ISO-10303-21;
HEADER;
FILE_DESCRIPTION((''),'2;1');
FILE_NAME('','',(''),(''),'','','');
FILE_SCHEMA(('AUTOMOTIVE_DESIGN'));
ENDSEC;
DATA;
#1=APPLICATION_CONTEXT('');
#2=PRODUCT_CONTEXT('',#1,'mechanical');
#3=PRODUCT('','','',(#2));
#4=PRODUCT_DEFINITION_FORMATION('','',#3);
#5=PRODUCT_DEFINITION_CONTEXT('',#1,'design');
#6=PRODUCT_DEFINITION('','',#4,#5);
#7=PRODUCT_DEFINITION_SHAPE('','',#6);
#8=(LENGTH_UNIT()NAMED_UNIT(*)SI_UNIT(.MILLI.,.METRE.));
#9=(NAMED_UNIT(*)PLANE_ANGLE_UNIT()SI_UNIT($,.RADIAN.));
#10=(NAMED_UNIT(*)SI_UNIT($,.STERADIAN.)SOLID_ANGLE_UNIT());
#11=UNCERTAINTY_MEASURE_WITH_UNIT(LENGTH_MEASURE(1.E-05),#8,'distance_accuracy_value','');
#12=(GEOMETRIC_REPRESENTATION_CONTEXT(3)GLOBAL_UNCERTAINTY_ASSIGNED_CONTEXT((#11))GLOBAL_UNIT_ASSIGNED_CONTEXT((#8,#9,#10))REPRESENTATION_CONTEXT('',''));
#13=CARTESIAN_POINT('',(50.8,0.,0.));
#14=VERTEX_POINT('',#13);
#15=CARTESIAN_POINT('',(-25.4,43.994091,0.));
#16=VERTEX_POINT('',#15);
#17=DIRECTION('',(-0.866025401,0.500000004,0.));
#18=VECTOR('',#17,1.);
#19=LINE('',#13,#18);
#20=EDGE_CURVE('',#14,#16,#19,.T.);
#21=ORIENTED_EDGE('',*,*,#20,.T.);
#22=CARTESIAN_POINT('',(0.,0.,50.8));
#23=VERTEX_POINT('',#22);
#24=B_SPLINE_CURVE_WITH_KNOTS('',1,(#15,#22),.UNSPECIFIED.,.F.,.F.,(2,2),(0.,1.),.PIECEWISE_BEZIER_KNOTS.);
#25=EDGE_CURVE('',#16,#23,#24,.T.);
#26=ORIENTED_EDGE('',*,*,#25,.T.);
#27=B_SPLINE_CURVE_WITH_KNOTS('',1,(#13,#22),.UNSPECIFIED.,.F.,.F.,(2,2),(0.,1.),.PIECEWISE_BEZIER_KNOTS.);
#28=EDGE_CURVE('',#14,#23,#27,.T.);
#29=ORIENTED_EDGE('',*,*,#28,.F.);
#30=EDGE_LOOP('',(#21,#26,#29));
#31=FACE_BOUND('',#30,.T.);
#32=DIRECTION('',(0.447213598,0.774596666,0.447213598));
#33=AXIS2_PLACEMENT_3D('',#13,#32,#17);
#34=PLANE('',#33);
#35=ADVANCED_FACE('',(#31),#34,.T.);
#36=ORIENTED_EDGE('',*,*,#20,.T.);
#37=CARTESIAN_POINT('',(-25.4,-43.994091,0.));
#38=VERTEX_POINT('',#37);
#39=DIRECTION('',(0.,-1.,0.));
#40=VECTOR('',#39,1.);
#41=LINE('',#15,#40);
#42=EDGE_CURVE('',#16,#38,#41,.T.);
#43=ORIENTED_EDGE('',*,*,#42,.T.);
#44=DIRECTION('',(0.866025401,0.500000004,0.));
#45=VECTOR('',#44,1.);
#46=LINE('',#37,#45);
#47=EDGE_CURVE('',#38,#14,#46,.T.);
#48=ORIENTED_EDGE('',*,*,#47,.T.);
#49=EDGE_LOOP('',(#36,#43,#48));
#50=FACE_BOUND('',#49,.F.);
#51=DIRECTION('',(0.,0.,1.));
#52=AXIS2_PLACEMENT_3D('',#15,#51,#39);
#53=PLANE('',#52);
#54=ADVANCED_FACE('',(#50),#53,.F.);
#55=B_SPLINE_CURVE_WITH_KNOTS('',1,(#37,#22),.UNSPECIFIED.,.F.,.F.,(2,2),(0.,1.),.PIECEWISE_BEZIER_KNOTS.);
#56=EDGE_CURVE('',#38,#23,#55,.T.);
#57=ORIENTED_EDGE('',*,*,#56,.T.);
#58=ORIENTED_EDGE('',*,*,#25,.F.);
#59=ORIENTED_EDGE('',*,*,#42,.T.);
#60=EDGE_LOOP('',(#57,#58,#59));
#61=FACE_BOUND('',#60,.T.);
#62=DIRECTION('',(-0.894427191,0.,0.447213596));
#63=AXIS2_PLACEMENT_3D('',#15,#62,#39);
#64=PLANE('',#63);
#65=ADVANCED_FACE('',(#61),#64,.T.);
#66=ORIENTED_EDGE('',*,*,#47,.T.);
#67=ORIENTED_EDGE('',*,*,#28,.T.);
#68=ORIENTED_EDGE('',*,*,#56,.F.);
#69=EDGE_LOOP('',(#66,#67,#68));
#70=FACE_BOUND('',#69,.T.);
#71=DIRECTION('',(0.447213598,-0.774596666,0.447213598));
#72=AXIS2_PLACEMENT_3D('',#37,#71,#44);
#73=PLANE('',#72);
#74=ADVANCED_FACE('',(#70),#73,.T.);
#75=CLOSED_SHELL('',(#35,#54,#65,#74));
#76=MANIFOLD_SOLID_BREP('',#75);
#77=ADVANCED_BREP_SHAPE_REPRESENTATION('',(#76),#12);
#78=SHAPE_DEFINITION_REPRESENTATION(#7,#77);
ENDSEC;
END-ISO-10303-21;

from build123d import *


with BuildPart() as f2:
    # F0 (on Top) → F2 section 0
    with BuildSketch(Plane.XY, mode=Mode.PRIVATE) as f2_s0:
        Polygon((-25.4, 43.994091), (-25.4, -43.994091), (50.8, 0), align=None)
    loft([f2_s0.sketch, Vertex(0, 0, 50.8)])


solid = f2.part
